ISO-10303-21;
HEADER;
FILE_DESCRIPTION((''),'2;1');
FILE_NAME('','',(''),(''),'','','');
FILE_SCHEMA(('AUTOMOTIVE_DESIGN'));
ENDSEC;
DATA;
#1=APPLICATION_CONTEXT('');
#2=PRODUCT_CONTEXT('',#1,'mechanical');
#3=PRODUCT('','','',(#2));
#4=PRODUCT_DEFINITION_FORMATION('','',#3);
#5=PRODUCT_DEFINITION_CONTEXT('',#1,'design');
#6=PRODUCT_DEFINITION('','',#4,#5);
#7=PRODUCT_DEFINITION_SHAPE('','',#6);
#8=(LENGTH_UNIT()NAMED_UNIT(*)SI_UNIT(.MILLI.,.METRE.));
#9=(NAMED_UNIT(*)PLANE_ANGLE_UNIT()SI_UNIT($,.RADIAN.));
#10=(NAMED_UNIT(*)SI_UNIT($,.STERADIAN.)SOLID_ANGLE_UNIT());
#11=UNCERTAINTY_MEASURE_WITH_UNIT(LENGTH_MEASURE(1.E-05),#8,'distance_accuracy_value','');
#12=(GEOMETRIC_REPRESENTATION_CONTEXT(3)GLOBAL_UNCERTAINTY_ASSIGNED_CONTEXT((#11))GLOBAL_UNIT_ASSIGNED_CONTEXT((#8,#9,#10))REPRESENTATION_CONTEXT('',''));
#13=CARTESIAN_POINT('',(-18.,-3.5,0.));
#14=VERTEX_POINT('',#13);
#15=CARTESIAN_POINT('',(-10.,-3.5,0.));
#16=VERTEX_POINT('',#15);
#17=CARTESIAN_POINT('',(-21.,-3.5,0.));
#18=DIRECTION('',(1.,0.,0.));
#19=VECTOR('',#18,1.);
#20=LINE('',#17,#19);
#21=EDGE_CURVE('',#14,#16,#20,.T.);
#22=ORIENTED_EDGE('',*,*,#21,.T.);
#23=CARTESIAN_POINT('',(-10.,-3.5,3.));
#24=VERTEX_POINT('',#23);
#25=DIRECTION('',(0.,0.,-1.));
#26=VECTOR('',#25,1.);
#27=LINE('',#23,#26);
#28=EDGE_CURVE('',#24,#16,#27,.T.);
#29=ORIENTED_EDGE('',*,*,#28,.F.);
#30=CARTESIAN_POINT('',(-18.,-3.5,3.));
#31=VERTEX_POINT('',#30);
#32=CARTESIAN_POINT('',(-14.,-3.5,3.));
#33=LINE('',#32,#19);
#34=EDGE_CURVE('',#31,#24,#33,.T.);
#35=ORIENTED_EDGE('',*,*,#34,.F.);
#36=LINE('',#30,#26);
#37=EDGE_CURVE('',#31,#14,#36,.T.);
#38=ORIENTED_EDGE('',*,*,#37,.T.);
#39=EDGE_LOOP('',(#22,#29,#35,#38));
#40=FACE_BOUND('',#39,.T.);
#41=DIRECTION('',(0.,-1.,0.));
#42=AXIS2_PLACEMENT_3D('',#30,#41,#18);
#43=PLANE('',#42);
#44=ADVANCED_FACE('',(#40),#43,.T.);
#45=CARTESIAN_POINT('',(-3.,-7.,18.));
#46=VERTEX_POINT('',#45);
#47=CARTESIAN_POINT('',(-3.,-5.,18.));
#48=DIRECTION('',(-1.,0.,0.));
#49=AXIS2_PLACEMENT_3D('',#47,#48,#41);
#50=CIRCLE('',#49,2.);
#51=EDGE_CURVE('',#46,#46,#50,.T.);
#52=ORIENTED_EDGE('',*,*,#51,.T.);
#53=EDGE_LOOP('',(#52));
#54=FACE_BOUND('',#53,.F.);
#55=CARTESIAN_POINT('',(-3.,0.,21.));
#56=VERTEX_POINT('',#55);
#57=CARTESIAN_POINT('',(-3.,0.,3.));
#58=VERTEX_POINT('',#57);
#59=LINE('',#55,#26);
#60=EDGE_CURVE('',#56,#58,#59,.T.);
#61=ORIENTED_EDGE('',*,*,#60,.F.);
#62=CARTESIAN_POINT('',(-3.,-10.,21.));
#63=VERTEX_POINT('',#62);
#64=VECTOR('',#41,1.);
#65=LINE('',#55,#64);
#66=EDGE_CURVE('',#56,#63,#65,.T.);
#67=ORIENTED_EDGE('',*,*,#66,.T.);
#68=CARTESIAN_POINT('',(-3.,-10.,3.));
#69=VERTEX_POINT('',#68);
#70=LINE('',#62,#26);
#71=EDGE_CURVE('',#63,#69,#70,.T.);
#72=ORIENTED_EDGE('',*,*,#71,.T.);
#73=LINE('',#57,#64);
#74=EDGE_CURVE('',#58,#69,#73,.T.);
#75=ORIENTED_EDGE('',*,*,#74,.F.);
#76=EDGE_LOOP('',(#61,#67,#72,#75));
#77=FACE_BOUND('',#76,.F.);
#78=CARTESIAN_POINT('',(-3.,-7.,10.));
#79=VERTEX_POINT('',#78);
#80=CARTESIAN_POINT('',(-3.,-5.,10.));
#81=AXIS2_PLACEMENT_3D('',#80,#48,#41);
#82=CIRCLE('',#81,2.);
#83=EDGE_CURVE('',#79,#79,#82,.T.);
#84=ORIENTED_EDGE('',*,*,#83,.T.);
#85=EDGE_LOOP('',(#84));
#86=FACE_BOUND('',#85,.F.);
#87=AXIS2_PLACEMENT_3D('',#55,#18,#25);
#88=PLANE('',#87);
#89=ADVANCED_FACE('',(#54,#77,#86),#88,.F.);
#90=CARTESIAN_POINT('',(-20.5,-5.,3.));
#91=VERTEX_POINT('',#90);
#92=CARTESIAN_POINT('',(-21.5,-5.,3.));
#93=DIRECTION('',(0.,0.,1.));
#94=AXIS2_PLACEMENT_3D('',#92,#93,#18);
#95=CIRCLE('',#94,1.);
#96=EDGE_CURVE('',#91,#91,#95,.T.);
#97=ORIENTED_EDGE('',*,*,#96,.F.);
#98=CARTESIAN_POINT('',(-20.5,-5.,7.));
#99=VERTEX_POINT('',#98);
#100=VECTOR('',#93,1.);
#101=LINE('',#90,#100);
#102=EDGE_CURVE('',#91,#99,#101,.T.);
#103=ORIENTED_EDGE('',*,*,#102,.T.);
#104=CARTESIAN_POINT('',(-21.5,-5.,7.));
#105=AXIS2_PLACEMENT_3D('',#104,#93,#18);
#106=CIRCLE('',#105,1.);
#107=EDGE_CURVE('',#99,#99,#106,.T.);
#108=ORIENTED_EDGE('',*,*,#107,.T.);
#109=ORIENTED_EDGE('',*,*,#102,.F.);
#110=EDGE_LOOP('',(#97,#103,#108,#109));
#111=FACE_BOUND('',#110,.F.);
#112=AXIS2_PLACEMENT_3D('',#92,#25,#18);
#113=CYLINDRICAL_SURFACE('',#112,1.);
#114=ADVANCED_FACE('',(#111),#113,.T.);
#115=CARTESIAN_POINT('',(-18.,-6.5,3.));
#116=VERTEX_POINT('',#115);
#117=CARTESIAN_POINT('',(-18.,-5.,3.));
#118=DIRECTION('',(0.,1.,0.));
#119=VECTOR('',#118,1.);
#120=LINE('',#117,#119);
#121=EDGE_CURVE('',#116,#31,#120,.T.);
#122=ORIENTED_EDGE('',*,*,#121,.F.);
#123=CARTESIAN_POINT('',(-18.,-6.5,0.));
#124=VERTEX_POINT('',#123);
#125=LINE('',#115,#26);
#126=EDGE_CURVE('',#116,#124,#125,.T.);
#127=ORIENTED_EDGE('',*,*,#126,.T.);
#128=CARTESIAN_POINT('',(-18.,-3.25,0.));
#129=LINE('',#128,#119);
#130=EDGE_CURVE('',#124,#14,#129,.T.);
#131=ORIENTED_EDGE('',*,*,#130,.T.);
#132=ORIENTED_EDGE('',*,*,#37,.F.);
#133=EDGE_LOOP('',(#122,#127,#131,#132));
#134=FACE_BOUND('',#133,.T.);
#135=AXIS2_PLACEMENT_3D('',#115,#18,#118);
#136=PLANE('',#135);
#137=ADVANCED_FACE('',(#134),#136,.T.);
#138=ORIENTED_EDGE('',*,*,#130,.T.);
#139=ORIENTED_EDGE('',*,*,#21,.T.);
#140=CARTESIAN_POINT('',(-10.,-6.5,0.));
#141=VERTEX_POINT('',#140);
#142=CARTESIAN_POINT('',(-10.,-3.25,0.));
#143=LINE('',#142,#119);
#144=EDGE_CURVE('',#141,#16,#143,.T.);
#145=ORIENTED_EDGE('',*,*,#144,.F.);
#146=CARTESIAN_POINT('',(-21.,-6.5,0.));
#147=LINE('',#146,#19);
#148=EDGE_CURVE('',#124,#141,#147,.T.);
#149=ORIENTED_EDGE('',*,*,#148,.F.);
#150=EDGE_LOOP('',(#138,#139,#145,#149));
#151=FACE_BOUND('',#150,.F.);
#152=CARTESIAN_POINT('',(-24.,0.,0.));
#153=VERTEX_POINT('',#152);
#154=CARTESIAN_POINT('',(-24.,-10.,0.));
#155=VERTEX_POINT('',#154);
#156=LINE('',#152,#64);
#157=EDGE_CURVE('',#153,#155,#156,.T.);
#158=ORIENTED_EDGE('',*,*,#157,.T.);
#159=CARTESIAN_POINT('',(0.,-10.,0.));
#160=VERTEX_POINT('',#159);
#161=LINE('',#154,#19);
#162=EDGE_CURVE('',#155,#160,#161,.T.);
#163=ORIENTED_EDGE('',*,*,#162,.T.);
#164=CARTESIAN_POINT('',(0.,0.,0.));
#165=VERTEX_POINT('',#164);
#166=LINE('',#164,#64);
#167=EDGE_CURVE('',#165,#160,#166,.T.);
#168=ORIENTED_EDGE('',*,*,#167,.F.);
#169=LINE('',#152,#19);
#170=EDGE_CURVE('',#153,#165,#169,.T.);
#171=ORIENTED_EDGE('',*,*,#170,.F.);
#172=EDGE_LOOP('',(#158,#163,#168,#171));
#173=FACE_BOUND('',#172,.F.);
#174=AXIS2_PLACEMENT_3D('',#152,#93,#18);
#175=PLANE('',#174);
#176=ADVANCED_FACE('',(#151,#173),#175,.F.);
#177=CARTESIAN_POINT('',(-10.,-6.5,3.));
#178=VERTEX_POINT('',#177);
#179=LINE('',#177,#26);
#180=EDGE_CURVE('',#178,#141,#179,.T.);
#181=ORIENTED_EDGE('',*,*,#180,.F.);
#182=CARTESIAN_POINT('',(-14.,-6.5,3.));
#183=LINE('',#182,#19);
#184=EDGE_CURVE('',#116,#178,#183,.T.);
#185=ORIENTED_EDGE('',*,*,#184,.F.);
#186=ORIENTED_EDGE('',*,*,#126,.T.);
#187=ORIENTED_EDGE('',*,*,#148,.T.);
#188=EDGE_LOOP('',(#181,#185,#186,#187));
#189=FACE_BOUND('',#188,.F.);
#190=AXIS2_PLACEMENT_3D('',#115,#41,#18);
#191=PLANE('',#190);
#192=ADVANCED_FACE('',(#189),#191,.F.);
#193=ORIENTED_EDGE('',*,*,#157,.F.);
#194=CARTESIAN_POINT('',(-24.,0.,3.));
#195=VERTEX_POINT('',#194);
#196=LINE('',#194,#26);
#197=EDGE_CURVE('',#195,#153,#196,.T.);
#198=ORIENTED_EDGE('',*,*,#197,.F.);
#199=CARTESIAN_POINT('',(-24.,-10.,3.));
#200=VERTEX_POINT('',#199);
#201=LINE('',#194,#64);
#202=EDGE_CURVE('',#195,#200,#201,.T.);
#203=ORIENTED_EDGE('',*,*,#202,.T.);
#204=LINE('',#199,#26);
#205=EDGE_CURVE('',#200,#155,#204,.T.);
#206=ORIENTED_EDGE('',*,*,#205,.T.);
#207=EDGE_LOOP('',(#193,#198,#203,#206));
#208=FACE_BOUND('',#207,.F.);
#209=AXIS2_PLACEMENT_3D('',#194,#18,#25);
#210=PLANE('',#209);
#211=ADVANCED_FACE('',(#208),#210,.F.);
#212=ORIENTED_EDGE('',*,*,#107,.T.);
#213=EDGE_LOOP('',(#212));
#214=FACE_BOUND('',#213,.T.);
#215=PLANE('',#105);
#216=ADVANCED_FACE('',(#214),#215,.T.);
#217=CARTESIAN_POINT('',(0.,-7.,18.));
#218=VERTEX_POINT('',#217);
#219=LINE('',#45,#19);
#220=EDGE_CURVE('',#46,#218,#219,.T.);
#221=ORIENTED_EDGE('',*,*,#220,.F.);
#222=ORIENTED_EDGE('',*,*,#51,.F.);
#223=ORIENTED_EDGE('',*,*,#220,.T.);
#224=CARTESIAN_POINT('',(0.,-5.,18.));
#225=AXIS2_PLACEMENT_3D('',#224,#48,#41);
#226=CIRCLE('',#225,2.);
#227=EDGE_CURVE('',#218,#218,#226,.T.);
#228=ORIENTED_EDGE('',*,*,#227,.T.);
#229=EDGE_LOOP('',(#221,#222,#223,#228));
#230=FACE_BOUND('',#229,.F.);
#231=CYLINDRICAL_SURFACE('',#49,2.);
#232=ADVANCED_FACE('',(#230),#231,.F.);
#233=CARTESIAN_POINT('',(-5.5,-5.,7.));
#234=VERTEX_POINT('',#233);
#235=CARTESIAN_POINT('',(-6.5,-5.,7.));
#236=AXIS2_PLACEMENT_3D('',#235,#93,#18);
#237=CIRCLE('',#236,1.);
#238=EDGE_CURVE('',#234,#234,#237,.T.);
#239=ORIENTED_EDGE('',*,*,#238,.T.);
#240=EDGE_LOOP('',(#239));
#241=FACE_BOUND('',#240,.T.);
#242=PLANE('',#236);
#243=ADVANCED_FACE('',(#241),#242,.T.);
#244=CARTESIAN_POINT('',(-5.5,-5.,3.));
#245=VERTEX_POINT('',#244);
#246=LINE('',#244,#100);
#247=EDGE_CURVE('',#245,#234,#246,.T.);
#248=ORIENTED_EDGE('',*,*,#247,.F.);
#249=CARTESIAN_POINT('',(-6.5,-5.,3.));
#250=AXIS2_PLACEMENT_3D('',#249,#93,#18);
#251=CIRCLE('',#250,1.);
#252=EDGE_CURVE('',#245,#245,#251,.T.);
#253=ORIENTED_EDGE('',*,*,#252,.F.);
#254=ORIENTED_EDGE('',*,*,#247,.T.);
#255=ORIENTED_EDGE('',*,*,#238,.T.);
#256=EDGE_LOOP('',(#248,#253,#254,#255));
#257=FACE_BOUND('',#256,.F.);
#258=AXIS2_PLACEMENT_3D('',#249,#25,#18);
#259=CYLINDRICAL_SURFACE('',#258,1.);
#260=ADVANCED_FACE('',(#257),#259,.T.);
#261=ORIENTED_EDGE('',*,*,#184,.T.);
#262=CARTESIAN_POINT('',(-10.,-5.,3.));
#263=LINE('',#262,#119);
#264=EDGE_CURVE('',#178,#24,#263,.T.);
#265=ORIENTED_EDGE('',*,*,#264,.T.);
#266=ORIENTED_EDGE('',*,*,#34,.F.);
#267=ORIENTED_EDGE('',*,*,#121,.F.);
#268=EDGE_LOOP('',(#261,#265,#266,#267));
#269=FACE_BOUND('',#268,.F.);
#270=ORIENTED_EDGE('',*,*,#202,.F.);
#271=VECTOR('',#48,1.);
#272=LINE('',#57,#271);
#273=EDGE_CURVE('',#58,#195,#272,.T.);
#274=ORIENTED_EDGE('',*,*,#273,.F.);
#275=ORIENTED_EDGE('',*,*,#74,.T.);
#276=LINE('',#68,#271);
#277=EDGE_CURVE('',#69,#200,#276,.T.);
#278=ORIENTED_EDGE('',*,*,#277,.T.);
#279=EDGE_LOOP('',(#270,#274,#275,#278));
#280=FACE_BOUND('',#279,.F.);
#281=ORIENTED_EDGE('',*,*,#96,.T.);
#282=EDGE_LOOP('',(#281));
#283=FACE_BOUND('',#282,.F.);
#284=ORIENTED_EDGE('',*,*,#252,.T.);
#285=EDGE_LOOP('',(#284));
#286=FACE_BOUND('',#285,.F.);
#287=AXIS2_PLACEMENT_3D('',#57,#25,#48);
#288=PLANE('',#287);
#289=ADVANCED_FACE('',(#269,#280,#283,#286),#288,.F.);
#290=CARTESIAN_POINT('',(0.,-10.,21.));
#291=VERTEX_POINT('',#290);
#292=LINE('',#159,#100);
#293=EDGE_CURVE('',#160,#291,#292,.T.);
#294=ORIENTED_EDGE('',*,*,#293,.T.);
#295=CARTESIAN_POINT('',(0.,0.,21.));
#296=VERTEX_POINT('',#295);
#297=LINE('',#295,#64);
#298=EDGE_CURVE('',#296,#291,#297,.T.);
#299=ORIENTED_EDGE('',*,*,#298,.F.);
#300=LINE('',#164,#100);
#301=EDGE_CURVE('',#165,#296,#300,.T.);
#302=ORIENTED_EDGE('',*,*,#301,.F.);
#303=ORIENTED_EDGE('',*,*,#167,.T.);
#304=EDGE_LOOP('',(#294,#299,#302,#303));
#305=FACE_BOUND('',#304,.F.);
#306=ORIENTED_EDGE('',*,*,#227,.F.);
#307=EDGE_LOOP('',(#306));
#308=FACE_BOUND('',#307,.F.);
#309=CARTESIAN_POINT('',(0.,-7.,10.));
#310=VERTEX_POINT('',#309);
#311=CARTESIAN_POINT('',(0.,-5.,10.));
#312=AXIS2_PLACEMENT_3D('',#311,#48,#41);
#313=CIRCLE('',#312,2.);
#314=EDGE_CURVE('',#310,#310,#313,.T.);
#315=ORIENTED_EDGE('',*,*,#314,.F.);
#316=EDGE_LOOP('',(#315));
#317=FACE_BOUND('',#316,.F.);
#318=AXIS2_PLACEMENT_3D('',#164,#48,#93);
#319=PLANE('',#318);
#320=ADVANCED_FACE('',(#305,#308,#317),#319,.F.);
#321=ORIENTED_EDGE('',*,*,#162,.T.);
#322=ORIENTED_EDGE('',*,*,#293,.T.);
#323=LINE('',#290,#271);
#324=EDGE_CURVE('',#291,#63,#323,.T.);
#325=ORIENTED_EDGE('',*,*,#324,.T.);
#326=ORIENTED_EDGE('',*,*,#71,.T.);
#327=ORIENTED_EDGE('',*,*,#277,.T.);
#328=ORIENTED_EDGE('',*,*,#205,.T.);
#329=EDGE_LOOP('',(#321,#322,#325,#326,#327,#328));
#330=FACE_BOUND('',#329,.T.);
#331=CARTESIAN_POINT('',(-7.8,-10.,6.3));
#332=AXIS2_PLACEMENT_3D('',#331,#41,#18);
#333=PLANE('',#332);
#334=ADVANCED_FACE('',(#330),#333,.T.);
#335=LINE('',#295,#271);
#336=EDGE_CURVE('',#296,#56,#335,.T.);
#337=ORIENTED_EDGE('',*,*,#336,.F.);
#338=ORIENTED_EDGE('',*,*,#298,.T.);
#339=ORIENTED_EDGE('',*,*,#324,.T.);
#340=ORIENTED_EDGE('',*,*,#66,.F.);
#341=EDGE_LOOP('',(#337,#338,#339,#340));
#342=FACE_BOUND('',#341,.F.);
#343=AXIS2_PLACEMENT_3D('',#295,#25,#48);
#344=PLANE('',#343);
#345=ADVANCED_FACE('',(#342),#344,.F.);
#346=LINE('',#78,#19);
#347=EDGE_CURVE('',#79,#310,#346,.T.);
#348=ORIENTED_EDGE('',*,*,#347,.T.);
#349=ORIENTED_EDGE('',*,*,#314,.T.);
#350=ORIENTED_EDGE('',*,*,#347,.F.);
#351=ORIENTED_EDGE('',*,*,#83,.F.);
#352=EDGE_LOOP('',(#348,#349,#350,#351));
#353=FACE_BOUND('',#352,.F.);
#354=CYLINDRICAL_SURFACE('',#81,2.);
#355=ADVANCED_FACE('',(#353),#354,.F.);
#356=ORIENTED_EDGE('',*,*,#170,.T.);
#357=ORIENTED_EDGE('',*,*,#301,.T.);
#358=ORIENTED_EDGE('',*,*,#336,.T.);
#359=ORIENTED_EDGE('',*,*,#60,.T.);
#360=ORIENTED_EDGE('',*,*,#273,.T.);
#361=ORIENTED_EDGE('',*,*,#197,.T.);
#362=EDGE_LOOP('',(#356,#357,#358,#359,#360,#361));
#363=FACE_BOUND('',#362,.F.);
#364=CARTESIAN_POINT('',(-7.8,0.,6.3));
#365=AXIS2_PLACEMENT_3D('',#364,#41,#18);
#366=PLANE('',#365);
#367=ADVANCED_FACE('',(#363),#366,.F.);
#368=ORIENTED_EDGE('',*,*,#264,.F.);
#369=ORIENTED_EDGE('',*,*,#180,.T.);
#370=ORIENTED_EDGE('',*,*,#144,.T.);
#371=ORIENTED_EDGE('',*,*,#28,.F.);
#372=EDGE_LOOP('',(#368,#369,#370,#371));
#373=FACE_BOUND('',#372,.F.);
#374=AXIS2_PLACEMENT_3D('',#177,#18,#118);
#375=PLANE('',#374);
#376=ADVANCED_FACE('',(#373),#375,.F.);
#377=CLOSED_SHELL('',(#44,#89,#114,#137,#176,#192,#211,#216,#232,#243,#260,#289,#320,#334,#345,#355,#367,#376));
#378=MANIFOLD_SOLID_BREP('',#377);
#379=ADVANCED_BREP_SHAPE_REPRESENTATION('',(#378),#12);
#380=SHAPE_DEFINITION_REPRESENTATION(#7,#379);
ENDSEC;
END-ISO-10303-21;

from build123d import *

# Parameters (mm, degrees)
F1_DEPTH = 10
F2_R     = 1
F3_DEPTH = 4
F4_W     = 8
F4_H     = 3
F5_DEPTH = 25
F6_R     = 2
F7_DEPTH = 25


with BuildPart() as f1:
    # F0 (on Front) → F1 (new body)
    with BuildSketch(Plane.XZ):
        Polygon((-24, 0), (0, 0), (0, 21), (-3, 21), (-3, 3), (-24, 3), align=None)
    extrude(amount=F1_DEPTH)

    # F2 (on face) → F3 (join)
    with BuildSketch(Plane.XY.offset(3)):
        with Locations((-21.5, -5)):
            Circle(F2_R)
        with Locations((-6.5, -5)):
            Circle(F2_R)
    extrude(amount=F3_DEPTH)

    # F4 (on face) → F5 (cut)
    with BuildSketch(Plane.XY.offset(3)):
        with Locations((-14, -5)):
            Rectangle(F4_W, F4_H)
    extrude(amount=-F5_DEPTH, mode=Mode.SUBTRACT)

    # F6 (on face) → F7 (cut)
    with BuildSketch(Plane(origin=(-3, 0, 0), x_dir=(0, -1, 0), z_dir=(-1, 0, 0))):
        with Locations((5, 18)):
            Circle(F6_R)
        with Locations((5, 10)):
            Circle(F6_R)
    extrude(amount=-F7_DEPTH, mode=Mode.SUBTRACT)


solid = f1.part
